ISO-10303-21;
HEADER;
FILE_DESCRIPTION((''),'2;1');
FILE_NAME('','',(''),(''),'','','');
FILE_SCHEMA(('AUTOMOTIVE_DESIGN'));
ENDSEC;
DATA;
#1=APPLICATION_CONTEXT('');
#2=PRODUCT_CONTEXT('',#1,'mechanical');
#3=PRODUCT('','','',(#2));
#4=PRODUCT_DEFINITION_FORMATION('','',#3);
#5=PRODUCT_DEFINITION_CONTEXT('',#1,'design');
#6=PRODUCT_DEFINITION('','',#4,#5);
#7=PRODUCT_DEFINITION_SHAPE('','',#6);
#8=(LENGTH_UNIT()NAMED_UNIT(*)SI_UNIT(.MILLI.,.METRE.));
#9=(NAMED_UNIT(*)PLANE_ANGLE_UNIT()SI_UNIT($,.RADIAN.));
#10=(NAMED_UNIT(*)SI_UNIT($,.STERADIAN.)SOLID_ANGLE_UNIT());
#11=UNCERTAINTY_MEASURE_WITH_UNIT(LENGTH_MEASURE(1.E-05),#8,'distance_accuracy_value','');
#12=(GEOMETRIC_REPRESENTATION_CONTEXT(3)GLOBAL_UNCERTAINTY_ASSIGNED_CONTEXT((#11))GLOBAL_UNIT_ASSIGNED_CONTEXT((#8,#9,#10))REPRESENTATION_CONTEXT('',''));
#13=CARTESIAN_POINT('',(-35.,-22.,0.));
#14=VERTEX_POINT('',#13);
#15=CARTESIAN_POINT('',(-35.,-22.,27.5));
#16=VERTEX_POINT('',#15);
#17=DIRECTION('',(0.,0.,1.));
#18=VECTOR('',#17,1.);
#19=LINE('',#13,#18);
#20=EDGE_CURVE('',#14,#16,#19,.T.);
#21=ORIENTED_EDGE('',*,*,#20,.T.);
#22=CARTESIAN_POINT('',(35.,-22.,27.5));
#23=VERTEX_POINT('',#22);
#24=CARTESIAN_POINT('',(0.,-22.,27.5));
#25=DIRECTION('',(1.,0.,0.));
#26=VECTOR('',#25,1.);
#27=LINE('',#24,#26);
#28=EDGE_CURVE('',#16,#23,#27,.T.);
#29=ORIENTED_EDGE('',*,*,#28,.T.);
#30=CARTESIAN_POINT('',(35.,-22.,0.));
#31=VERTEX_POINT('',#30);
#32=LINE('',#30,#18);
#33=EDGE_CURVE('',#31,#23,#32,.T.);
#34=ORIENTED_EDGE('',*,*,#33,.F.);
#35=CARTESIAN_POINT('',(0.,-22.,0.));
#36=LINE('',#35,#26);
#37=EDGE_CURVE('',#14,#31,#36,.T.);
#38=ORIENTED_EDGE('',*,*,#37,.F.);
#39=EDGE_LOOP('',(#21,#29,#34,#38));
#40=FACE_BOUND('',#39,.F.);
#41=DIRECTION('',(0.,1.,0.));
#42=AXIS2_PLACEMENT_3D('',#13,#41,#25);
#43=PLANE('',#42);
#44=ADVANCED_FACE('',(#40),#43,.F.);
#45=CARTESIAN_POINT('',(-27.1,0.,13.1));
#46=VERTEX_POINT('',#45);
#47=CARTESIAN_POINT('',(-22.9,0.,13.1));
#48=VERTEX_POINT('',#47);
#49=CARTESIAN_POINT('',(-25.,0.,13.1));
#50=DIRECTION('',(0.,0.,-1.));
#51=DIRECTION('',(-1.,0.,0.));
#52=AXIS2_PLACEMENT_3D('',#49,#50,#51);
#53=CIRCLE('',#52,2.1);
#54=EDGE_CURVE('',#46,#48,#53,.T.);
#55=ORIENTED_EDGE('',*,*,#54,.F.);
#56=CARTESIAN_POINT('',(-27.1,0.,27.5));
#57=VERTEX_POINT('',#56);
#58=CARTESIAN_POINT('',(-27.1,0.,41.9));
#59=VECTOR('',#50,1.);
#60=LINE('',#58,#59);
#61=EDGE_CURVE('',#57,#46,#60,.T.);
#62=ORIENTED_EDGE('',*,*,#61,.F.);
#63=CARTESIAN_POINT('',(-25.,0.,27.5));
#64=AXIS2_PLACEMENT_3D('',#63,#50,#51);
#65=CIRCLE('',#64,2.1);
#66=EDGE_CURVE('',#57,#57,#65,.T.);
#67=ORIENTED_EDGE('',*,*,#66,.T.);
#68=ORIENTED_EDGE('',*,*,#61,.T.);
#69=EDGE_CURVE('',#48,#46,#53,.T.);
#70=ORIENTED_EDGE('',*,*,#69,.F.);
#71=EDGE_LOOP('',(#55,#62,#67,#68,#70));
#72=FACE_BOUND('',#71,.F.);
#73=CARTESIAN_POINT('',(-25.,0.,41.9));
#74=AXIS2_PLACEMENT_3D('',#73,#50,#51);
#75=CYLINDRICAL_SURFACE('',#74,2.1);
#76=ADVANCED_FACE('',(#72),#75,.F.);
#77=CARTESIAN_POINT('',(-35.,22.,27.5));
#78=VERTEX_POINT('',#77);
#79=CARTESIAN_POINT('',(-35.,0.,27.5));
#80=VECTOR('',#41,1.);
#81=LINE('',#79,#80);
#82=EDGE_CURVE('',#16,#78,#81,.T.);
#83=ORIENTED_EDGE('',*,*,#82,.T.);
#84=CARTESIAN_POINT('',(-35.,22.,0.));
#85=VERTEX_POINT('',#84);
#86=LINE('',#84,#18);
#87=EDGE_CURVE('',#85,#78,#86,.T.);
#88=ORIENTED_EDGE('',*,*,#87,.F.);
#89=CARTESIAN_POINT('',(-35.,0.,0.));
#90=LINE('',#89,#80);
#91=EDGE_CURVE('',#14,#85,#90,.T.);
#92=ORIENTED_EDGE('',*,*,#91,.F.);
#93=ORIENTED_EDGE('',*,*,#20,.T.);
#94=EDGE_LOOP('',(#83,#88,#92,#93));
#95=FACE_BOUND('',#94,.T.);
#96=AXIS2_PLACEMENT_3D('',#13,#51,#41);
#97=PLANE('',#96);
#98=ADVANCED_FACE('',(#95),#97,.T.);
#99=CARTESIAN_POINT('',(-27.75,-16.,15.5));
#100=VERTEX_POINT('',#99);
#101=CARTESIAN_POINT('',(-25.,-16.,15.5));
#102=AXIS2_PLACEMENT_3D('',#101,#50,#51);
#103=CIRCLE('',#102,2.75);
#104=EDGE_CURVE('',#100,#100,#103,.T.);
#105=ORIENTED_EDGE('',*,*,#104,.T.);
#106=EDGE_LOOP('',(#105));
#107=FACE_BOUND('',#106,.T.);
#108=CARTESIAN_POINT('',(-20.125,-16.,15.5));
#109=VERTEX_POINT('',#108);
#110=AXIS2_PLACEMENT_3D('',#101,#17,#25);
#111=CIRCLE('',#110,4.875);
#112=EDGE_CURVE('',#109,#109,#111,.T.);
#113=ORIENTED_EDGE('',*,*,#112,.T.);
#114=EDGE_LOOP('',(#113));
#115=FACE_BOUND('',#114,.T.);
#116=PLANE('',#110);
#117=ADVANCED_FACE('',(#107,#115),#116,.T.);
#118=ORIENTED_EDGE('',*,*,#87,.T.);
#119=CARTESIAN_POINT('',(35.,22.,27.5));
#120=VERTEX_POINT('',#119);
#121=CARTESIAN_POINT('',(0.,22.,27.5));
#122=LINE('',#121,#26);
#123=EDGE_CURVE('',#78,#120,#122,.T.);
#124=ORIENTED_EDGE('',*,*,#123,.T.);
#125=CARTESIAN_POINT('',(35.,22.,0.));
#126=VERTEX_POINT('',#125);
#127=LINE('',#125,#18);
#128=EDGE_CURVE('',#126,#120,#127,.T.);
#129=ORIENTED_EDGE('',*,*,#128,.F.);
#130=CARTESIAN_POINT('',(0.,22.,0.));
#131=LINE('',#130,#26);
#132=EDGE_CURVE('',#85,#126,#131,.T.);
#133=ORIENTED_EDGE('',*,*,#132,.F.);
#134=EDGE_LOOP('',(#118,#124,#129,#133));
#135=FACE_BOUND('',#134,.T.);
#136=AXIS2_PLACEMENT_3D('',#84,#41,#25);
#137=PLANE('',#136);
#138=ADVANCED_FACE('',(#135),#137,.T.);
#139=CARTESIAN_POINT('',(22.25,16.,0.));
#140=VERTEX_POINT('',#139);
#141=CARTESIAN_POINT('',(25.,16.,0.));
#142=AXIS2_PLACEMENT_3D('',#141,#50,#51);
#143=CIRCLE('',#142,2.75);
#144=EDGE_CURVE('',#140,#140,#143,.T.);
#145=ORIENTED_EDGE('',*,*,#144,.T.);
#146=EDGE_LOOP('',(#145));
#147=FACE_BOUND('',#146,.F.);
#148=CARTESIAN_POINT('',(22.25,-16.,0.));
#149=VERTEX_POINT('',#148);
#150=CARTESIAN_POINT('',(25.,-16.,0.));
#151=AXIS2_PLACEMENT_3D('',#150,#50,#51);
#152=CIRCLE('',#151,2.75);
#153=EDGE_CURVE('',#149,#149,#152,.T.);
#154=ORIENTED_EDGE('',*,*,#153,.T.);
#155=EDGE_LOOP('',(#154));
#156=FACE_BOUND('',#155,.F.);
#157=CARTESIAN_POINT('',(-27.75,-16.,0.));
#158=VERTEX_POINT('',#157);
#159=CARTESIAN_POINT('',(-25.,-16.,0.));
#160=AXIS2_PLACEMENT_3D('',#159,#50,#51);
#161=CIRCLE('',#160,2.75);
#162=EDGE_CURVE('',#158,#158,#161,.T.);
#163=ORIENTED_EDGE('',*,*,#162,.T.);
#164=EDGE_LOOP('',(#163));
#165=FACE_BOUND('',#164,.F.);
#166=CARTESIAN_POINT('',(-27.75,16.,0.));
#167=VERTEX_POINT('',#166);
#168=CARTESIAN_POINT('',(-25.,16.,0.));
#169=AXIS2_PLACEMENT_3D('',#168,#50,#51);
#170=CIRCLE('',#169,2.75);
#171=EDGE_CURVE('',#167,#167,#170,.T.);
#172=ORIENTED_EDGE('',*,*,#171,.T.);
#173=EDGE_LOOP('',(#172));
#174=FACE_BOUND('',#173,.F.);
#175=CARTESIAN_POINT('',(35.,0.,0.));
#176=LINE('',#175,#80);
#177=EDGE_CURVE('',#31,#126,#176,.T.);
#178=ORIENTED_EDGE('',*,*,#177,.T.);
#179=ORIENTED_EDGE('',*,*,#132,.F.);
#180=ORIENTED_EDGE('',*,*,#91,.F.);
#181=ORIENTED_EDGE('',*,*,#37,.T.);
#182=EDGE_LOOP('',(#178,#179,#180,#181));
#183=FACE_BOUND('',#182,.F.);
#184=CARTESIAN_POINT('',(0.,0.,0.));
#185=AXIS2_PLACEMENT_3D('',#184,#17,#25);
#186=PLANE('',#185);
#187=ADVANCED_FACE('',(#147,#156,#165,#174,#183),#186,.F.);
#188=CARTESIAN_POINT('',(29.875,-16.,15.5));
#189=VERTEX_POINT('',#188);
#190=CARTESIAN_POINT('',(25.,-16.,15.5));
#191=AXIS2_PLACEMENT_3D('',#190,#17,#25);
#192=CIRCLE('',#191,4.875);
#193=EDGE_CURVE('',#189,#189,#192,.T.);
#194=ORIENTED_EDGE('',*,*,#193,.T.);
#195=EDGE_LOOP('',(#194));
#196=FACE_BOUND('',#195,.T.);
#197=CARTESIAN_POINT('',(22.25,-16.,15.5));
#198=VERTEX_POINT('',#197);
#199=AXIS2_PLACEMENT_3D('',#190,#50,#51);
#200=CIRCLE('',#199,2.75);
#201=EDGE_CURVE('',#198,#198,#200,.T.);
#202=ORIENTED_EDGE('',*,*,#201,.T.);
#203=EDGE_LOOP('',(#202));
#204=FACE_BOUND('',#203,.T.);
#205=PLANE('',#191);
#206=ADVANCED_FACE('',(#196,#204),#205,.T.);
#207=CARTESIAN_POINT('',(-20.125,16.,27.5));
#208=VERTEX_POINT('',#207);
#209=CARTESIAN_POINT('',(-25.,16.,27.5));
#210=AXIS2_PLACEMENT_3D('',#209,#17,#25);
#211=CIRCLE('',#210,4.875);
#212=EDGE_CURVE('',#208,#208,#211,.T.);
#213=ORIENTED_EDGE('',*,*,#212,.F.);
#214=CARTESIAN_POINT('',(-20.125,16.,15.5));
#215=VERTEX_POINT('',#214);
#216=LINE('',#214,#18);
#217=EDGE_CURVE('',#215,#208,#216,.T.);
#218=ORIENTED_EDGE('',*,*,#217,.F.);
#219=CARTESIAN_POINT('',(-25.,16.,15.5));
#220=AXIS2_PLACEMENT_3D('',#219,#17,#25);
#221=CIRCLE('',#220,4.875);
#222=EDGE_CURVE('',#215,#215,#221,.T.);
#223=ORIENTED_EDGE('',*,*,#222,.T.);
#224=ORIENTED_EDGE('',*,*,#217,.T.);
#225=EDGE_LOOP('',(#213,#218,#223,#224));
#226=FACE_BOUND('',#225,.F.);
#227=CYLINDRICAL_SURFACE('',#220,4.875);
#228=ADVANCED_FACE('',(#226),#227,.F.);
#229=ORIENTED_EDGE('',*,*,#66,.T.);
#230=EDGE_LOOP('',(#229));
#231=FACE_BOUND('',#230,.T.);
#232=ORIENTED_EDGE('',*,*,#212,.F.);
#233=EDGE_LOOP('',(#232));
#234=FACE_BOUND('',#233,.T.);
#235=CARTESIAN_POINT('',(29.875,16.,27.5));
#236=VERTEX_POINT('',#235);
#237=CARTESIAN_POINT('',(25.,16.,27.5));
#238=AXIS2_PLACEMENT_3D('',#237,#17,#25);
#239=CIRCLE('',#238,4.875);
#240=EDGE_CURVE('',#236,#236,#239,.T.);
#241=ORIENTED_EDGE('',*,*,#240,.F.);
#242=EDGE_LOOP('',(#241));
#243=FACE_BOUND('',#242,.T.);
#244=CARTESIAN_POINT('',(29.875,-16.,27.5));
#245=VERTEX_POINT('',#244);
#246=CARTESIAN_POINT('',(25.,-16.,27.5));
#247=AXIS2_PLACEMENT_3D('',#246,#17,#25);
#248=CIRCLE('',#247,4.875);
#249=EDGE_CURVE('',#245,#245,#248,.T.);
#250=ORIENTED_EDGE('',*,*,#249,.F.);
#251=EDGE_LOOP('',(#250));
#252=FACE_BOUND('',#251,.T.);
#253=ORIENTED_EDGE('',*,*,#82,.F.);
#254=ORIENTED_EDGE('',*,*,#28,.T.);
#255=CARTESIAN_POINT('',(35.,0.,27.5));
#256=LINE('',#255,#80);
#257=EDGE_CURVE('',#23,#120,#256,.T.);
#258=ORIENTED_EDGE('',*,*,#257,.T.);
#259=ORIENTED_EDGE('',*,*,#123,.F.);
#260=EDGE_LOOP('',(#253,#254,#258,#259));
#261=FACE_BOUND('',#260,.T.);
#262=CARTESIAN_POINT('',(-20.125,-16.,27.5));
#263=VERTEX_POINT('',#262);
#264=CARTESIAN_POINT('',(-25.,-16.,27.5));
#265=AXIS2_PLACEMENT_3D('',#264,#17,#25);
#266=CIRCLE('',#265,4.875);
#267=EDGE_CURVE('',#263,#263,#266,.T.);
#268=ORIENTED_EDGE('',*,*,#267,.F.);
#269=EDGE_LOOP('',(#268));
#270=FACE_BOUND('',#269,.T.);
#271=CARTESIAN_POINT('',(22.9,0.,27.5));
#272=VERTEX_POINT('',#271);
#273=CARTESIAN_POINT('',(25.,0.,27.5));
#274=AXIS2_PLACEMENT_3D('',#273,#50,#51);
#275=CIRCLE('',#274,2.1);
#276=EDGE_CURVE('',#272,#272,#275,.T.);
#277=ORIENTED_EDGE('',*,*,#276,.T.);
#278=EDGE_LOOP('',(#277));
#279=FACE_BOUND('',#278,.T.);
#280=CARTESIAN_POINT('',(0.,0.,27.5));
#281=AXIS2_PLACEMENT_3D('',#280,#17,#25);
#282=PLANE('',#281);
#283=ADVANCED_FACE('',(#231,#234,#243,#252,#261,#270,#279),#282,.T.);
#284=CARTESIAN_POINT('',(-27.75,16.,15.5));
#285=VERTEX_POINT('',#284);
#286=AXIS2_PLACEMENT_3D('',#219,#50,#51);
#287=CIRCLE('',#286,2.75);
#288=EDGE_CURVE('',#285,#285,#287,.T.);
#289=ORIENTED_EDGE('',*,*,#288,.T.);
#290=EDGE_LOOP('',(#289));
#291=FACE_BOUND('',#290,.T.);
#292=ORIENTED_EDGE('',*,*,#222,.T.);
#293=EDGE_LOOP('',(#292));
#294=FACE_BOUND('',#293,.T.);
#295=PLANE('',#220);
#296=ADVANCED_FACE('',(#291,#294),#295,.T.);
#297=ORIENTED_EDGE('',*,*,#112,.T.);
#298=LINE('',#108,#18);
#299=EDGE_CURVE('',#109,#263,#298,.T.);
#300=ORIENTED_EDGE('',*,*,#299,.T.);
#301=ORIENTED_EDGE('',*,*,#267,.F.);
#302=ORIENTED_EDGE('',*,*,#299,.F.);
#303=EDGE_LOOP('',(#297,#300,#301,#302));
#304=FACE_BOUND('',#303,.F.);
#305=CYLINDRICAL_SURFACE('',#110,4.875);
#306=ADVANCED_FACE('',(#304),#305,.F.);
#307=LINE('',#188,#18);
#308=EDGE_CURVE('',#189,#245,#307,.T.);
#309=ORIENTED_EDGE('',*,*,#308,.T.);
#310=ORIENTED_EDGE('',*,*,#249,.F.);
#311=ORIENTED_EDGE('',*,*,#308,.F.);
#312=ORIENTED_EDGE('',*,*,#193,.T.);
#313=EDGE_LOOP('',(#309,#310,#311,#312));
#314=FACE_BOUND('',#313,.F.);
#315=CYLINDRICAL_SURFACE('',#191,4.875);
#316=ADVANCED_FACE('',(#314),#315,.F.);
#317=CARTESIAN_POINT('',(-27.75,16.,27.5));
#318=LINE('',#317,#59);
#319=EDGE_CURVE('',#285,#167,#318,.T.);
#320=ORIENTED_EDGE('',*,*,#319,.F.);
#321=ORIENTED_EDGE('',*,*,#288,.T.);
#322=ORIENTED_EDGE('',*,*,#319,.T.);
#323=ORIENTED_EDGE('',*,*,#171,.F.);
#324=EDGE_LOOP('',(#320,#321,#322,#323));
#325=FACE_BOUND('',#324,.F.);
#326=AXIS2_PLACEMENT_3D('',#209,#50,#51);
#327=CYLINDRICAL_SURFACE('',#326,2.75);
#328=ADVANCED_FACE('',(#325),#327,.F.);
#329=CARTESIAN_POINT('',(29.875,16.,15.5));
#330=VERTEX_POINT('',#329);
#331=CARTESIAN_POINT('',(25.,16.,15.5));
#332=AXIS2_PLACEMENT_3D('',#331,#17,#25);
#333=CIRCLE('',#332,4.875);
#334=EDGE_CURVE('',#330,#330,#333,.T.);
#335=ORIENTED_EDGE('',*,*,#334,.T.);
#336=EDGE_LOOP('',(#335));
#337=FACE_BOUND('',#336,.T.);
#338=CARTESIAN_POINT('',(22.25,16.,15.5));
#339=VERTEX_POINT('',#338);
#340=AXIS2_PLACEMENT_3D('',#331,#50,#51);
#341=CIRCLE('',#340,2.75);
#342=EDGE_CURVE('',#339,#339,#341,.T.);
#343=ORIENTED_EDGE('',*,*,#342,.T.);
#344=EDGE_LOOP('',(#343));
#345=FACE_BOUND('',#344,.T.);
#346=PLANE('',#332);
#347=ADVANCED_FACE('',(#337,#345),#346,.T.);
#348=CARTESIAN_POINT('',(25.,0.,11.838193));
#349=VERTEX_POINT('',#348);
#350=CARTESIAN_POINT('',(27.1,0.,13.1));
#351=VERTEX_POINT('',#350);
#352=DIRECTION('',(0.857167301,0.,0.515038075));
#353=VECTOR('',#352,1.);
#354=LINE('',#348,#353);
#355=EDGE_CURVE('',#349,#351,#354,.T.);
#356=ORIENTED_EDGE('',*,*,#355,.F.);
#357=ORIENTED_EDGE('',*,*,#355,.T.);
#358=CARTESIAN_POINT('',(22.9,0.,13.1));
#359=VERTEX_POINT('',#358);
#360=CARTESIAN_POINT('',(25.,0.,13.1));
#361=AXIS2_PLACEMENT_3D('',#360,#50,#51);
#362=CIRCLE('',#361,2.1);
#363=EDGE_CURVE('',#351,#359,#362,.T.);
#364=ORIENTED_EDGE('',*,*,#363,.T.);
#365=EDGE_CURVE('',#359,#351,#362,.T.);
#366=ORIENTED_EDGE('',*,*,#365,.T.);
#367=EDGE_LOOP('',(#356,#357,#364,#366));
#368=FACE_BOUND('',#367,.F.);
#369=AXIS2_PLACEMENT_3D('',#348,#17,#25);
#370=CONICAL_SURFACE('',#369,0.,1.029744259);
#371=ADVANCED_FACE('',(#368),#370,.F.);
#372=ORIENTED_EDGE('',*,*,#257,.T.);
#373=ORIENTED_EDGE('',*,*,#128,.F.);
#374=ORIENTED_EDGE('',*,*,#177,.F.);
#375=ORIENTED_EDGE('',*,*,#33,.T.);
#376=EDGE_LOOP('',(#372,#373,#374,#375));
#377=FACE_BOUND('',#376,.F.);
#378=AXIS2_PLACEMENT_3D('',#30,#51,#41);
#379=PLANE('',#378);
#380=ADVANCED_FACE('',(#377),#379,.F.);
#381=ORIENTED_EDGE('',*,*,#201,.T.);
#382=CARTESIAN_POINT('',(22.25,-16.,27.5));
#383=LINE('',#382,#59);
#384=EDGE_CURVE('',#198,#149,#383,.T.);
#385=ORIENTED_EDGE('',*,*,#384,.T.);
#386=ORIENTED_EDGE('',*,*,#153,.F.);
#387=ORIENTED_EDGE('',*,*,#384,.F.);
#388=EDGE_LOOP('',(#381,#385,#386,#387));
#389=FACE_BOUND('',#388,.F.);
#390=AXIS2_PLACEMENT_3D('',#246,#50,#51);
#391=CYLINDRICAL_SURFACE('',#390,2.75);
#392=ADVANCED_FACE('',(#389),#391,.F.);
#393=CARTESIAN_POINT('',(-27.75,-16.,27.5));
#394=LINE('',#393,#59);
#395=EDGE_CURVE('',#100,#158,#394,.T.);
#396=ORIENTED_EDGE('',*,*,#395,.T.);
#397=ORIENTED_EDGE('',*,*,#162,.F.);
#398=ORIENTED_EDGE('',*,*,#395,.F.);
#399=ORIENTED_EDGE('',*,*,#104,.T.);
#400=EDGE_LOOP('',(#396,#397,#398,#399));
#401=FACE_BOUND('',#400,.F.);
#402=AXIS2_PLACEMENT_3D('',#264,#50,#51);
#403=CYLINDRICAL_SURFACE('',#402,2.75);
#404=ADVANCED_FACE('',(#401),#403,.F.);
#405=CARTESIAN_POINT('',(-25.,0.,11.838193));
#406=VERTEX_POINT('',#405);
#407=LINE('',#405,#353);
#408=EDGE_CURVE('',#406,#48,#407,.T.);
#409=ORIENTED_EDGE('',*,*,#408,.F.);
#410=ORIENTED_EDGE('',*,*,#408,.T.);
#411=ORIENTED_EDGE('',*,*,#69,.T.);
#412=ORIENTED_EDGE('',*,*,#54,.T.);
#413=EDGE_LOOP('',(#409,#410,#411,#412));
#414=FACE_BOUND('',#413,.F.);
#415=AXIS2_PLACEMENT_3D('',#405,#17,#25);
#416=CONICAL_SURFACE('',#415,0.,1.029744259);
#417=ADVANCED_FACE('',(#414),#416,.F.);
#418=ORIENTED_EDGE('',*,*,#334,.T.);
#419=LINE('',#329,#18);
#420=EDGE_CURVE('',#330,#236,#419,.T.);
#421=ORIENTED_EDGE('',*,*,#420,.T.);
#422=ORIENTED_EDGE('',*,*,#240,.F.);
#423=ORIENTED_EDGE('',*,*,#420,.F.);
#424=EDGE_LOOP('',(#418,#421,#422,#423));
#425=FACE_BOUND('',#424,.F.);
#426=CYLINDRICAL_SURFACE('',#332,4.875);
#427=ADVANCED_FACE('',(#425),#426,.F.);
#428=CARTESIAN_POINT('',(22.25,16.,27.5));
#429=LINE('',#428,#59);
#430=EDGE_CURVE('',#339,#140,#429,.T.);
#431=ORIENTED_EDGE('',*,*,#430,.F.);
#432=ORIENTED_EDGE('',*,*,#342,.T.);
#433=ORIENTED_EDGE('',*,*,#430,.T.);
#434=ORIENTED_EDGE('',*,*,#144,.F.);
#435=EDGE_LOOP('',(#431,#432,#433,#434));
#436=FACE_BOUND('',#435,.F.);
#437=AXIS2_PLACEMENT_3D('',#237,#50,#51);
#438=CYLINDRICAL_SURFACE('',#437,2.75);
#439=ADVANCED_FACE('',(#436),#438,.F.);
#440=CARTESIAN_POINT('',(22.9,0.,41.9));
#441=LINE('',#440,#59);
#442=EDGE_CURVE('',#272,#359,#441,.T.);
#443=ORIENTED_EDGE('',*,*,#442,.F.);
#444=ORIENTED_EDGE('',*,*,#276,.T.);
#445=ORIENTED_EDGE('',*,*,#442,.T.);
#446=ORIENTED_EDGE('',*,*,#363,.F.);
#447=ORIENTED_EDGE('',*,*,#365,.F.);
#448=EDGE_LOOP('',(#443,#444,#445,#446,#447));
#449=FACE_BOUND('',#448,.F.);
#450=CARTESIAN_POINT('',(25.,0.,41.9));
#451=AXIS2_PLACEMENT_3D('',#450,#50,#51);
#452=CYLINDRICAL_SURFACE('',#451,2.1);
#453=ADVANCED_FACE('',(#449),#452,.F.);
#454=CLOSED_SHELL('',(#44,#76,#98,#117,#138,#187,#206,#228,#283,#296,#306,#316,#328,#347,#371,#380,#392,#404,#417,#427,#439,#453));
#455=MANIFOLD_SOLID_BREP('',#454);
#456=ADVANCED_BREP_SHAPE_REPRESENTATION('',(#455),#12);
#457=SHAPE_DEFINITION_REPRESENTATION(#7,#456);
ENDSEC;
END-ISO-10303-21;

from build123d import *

# Parameters (mm, degrees)
F0_W           = 70
F0_H           = 44
F1_DEPTH       = 27.5
F4_D           = 4.2
F4_DEPTH       = 14.4
F4_TIP         = 1.2618073
F5_D           = 5.5
F5_CBORE_D     = 9.75
F5_CBORE_DEPTH = 12


with BuildPart() as f1:
    # F0 (on Top) → F1 (new body)
    with BuildSketch(Plane.XY):
        Rectangle(F0_W, F0_H)
    extrude(amount=F1_DEPTH)

    # F4
    with Locations(Plane.XY.offset(27.5)):
        with Locations((25, 0), (-25, 0)):
            Hole(F4_D / 2, depth=F4_DEPTH)
            with Locations((0, 0, -(F4_DEPTH + F4_TIP / 2))):  # 118° drill point
                Cone(0, F4_D / 2, F4_TIP, mode=Mode.SUBTRACT)

    # F5 (through all)
    with Locations(Plane.XY.offset(27.5)):
        with Locations((25, -16), (25, 16), (-25, -16), (-25, 16)):
            CounterBoreHole(F5_D / 2, F5_CBORE_D / 2, F5_CBORE_DEPTH)


solid = f1.part
